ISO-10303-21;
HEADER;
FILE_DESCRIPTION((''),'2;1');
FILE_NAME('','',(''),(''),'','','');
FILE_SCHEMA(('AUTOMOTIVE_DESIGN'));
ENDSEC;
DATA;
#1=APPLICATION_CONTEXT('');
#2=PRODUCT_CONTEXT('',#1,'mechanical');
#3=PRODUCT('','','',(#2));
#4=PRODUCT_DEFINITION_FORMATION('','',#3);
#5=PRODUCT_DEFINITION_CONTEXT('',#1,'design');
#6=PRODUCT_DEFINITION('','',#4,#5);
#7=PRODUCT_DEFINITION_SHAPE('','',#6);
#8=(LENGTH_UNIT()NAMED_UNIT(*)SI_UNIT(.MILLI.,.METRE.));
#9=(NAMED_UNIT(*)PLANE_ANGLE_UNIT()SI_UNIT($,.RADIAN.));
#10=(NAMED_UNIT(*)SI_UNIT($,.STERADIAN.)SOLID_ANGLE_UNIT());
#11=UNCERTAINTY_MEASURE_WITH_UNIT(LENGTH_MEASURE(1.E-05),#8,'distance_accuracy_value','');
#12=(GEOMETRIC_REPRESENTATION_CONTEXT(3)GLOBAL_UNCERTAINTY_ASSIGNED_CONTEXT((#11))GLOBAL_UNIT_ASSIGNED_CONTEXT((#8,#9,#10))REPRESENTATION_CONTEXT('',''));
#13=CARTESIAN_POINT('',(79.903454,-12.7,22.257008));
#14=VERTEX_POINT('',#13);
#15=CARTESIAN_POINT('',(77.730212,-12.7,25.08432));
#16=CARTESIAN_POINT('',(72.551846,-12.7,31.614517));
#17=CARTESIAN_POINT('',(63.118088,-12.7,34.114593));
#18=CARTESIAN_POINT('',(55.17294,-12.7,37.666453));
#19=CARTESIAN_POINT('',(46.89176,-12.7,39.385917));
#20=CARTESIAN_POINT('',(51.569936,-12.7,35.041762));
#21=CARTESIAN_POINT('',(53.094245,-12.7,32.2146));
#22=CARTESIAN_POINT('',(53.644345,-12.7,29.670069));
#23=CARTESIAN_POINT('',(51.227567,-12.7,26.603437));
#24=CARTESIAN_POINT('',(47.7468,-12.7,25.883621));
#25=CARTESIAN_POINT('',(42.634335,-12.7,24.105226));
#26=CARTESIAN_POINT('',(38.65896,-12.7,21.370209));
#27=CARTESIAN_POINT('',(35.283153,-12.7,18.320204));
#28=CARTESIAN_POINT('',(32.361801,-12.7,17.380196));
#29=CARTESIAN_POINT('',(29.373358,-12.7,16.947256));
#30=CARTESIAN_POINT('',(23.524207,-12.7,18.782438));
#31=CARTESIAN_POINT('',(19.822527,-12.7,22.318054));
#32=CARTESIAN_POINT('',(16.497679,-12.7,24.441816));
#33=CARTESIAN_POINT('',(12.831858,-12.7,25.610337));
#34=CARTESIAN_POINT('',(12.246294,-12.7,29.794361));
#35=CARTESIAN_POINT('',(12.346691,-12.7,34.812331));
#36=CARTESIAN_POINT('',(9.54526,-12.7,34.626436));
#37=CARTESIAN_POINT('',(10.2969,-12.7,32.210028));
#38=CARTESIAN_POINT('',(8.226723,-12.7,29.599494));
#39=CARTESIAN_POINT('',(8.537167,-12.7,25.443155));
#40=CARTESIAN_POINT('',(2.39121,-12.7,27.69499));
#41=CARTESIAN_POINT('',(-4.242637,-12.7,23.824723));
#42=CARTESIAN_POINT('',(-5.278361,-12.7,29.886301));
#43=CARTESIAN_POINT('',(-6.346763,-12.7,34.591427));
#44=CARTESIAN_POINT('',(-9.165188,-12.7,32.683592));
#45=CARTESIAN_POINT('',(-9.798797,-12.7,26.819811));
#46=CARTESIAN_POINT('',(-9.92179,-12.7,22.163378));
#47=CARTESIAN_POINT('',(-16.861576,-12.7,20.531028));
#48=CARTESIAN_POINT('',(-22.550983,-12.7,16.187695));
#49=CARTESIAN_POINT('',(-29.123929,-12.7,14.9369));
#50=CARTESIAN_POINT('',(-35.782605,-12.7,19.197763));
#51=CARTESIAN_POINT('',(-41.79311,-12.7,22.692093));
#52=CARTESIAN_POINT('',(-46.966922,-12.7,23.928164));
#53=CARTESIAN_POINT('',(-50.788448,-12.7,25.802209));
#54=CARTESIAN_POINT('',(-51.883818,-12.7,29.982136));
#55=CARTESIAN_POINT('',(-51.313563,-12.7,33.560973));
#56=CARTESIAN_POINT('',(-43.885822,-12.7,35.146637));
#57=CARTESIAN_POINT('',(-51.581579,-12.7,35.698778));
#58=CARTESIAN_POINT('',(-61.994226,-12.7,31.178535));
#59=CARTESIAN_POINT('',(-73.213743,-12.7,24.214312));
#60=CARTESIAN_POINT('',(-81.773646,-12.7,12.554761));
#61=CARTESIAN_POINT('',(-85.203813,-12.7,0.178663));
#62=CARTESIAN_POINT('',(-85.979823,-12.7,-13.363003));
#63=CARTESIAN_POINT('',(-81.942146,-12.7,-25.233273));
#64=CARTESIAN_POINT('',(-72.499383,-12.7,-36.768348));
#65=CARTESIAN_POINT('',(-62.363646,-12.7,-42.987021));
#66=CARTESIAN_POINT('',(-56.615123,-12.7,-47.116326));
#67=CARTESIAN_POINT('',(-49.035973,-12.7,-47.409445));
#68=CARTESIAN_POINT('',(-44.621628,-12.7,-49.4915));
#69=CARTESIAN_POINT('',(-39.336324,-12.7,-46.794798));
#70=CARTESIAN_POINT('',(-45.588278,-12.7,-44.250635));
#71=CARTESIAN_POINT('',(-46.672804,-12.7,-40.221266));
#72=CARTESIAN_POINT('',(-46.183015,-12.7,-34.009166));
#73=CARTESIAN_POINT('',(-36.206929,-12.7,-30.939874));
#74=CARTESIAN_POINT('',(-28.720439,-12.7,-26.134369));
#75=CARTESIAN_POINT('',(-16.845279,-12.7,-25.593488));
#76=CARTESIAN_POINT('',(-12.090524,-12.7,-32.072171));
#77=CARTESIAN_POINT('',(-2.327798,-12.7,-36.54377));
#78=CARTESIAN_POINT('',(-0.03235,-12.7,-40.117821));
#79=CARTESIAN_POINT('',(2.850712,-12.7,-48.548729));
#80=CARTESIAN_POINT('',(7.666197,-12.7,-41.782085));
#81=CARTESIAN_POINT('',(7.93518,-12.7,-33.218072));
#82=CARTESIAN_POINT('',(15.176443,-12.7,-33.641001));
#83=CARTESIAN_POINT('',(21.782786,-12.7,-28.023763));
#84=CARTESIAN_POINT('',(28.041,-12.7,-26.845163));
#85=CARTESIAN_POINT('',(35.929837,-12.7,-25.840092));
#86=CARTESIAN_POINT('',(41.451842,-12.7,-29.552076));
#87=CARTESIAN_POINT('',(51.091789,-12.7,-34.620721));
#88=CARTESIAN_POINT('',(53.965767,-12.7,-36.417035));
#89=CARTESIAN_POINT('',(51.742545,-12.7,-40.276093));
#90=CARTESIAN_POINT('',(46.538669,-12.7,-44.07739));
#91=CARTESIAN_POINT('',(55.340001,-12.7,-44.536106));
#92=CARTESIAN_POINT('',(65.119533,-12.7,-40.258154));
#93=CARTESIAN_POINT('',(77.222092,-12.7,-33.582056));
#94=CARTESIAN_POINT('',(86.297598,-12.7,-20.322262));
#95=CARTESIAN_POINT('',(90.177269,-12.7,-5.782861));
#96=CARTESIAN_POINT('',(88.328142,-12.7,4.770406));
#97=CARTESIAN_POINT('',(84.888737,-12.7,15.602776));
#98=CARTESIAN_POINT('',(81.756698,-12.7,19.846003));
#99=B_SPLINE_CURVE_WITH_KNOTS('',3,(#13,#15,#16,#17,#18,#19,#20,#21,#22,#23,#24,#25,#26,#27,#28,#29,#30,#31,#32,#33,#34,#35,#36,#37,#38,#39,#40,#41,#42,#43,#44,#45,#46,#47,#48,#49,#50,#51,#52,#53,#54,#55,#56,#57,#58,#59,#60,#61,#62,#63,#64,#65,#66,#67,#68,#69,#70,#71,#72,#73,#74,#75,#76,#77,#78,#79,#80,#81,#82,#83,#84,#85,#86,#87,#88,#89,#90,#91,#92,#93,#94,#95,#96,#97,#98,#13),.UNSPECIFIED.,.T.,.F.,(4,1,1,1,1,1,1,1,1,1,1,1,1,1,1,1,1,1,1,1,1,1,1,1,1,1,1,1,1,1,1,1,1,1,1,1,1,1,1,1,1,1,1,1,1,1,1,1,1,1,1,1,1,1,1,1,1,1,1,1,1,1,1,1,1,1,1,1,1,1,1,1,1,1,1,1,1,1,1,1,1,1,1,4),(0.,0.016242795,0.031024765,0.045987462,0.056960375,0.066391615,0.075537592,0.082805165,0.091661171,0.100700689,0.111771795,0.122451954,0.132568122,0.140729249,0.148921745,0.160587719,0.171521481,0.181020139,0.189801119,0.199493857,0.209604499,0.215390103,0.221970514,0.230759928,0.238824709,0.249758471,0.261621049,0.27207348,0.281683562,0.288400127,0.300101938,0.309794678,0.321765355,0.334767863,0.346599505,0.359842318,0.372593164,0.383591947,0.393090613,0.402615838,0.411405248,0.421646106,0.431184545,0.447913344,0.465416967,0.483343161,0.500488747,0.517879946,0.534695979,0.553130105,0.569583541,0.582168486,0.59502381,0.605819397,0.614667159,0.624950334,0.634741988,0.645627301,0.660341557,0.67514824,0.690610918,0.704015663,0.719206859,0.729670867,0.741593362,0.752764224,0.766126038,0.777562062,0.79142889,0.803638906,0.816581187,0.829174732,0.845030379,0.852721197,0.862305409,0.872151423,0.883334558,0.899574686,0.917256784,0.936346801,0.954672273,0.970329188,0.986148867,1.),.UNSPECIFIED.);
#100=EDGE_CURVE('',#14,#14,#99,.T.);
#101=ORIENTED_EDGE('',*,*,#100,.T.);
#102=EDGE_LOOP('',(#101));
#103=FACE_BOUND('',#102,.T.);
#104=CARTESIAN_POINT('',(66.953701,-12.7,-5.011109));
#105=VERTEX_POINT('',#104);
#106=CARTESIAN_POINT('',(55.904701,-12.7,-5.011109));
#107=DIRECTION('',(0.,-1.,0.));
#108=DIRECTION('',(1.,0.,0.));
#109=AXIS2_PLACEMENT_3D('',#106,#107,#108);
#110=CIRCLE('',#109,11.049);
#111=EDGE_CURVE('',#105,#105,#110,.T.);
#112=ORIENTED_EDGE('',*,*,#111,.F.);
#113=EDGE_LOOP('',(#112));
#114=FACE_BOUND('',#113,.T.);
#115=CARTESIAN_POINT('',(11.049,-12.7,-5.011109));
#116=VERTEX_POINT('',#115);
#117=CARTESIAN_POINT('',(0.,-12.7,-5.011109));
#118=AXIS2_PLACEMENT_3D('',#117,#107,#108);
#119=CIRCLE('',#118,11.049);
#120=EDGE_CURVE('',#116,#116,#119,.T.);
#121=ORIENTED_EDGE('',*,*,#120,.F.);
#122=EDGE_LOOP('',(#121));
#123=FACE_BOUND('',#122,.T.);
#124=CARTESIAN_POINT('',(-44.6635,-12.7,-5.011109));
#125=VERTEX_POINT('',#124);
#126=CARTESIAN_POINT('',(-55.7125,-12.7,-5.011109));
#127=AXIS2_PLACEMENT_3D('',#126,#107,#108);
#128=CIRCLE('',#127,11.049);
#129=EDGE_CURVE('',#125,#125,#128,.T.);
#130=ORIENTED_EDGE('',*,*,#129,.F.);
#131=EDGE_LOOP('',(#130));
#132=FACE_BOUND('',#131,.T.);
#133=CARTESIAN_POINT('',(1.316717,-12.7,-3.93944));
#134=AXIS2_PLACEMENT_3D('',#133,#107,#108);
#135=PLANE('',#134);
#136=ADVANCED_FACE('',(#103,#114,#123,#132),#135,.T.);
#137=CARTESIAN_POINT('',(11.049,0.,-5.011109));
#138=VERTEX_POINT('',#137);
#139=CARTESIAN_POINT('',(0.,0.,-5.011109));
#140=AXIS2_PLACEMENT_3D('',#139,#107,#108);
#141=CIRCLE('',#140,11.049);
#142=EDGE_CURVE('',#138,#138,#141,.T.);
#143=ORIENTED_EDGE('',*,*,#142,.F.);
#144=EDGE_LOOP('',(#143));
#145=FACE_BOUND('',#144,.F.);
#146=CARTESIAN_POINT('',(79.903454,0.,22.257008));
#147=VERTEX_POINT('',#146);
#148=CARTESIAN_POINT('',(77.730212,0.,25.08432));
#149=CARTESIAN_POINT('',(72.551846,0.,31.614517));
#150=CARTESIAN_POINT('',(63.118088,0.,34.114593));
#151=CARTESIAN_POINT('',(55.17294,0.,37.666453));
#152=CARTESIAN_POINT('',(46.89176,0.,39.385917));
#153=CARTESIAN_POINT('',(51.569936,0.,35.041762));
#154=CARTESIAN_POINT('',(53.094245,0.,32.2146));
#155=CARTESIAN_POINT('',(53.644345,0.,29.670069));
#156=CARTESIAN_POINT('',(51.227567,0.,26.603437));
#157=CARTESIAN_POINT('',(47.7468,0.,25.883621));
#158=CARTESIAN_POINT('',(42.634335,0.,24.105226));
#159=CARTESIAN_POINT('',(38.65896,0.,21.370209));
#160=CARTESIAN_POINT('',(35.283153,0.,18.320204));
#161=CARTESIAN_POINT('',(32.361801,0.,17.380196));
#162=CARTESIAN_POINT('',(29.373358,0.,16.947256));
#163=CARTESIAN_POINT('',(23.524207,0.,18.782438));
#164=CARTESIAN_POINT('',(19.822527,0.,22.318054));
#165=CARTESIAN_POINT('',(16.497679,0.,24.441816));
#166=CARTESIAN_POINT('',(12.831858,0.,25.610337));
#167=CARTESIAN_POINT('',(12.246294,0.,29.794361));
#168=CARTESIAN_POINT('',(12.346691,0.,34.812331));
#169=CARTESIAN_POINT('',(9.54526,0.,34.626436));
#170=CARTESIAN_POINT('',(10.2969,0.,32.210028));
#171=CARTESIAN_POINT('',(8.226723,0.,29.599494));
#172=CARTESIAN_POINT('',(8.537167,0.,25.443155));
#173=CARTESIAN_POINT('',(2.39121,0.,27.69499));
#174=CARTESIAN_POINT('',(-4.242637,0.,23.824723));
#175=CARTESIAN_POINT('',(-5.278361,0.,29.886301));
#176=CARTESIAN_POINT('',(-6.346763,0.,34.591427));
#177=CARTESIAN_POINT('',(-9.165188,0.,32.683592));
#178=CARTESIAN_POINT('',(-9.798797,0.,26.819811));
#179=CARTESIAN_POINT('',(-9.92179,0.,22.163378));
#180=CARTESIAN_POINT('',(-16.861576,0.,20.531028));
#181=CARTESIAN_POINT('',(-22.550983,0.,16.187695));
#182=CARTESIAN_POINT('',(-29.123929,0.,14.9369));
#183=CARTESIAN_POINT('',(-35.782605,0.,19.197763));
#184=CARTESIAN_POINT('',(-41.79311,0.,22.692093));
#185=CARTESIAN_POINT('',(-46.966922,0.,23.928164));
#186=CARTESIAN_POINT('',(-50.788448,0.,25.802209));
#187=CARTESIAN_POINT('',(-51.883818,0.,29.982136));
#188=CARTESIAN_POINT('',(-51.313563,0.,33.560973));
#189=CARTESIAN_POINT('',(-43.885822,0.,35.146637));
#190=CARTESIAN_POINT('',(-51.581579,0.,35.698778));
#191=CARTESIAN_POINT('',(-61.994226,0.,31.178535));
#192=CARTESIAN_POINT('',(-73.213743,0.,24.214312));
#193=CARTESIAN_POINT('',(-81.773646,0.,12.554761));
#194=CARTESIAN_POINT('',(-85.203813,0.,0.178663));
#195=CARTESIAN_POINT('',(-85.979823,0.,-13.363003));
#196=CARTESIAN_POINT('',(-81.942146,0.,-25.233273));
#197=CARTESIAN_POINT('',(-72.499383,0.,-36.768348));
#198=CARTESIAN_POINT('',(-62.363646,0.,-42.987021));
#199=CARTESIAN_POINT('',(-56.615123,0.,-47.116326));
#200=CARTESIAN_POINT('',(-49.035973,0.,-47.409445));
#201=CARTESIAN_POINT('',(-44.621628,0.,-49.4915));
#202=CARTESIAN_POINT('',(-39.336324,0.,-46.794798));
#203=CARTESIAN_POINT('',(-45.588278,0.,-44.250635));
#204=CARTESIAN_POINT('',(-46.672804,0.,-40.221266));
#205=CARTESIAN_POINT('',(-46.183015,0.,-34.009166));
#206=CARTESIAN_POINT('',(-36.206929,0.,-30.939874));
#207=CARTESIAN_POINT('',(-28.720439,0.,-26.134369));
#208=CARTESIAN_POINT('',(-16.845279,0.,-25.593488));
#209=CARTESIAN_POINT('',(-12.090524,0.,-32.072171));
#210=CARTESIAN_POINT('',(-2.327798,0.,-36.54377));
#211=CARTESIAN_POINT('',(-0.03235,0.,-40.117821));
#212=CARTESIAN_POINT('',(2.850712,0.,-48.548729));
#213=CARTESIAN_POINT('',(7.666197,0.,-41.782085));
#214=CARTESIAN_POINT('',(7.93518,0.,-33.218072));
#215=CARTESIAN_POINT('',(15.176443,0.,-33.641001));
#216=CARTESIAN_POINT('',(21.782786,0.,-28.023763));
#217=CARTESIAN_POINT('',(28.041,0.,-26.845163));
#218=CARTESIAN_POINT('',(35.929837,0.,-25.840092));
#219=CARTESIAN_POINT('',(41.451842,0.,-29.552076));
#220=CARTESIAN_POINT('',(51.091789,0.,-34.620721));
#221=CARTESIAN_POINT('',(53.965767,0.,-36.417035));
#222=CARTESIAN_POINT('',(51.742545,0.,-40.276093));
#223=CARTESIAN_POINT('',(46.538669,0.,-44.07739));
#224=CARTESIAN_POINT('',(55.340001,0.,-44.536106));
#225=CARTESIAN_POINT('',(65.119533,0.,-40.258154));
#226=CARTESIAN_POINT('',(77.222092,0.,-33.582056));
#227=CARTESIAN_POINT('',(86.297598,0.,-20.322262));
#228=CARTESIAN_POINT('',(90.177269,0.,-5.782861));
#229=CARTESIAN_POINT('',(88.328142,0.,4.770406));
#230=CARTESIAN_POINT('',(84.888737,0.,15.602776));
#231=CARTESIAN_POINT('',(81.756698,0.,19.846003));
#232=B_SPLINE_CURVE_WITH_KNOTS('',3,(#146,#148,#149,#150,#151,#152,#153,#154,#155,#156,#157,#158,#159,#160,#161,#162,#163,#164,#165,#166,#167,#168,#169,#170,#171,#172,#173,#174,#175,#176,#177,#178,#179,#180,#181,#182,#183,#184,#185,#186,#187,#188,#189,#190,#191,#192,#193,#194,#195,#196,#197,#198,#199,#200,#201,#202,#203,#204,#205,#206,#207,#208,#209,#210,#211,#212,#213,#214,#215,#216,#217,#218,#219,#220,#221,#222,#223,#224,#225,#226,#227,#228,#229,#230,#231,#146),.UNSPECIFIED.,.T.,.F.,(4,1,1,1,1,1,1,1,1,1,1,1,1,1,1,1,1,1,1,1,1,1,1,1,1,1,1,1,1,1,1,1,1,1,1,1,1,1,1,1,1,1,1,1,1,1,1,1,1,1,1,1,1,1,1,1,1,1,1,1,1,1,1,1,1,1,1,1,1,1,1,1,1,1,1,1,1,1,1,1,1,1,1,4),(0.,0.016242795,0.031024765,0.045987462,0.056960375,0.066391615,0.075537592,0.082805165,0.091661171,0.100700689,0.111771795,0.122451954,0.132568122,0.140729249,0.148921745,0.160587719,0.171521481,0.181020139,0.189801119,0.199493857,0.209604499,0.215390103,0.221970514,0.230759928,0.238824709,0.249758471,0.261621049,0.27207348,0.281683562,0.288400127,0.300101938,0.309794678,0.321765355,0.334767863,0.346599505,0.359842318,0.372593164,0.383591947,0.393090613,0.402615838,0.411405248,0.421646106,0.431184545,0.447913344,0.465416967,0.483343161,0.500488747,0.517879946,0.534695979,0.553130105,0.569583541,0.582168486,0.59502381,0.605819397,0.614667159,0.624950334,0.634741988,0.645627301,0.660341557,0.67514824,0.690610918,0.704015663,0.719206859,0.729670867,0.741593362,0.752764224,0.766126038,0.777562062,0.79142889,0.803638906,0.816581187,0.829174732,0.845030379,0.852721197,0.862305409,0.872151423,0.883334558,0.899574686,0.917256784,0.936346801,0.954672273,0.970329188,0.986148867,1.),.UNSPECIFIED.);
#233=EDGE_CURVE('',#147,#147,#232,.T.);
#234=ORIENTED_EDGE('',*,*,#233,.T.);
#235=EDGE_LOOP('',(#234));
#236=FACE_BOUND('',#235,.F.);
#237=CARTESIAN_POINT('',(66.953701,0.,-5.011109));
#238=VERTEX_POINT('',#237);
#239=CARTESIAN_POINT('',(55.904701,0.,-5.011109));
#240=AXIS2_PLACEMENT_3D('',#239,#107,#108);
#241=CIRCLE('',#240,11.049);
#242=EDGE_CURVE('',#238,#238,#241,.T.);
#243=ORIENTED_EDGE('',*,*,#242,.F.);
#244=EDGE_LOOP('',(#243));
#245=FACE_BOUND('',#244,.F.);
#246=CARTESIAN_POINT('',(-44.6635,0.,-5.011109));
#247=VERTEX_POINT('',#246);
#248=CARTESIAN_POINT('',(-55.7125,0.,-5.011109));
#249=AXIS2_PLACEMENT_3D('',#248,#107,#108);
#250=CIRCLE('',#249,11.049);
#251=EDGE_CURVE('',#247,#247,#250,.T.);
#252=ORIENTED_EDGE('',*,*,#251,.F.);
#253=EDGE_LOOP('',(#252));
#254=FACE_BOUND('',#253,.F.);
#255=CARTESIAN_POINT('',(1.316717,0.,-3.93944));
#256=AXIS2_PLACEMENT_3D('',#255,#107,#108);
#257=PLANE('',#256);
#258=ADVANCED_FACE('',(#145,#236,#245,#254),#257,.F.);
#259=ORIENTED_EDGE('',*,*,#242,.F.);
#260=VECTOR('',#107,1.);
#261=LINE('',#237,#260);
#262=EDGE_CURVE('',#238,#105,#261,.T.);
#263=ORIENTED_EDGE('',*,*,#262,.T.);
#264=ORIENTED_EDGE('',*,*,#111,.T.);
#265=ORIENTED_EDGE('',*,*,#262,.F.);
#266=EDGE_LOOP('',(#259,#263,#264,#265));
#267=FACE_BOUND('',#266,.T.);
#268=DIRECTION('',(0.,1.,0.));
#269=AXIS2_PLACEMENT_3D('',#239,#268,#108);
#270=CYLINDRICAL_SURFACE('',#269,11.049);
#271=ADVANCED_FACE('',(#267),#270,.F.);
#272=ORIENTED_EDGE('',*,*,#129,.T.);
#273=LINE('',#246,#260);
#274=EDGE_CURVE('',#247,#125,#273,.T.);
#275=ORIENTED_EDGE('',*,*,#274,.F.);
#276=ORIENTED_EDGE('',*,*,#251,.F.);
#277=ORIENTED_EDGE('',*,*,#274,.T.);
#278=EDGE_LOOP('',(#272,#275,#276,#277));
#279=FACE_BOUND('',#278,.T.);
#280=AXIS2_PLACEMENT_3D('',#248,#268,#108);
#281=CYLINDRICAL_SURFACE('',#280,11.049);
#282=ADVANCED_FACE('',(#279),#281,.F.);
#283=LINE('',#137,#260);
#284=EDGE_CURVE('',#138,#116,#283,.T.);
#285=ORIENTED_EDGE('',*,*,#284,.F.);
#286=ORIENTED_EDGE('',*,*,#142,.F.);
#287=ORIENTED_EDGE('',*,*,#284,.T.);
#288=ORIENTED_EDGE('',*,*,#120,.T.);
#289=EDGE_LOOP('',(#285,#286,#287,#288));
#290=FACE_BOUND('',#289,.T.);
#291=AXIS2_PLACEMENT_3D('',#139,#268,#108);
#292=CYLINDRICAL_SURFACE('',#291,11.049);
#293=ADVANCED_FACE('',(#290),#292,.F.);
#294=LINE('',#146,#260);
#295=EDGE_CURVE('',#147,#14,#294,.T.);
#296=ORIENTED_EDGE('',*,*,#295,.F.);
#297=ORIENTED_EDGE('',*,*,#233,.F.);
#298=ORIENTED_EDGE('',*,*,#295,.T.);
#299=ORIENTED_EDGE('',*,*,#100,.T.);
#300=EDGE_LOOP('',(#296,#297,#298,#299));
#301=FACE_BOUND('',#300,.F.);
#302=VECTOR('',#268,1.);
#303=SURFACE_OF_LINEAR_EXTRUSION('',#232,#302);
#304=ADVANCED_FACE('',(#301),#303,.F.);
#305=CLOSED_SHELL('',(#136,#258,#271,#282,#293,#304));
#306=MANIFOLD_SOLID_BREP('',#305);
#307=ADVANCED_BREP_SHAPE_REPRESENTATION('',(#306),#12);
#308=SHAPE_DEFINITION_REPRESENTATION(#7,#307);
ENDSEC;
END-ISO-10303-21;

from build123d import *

# Parameters (mm, degrees)
F0_R     = 11.049
F1_DEPTH = 12.7


with BuildPart() as f1:
    # F0 (on Front) → F1 (new body)
    with BuildSketch(Plane.XZ):
        with BuildLine():
            add(Edge.make_bspline(
                [(79.9034538631, 22.2570084794), (77.7302121208, 25.0843202929), (72.551845996, 31.6145172398), (63.1180884636, 34.1145927598), (55.1729400057, 37.6664529501), (46.8917599113, 39.3859165289), (51.5699357356, 35.0417623133), (53.0942452108, 32.214599833), (53.6443446912, 29.6700694535), (51.2275665944, 26.6034370661), (47.7468002274, 25.8836212249), (42.6343345712, 24.1052259954), (38.6589596172, 21.3702089215), (35.2831532012, 18.3202040925), (32.3618011809, 17.3801962765), (29.3733581257, 16.9472559932), (23.5242073777, 18.7824380276), (19.8225269976, 22.3180536343), (16.4976787015, 24.4418156718), (12.8318580442, 25.6103372447), (12.246294285, 29.7943610358), (12.3466913011, 34.8123312709), (9.5452595889, 34.6264359467), (10.2969001279, 32.2100282622), (8.2267231021, 29.5994943666), (8.5371670092, 25.4431550221), (2.391209973, 27.6949901854), (-4.2426374121, 23.8247231313), (-5.278361062, 29.8863006892), (-6.3467625647, 34.5914273485), (-9.1651881211, 32.6835919154), (-9.7987968989, 26.8198112231), (-9.9217897156, 22.1633776512), (-16.8615761187, 20.5310277548), (-22.5509831613, 16.1876948015), (-29.1239288707, 14.9368997095), (-35.7826049218, 19.1977626486), (-41.7931096832, 22.6920933609), (-46.9669216479, 23.9281639395), (-50.7884483049, 25.802208969), (-51.8838179715, 29.9821359328), (-51.3135630651, 33.5609730483), (-43.8858217155, 35.146637086), (-51.5815789824, 35.6987778697), (-61.9942262932, 31.17853474), (-73.2137431879, 24.2143120127), (-81.7736461859, 12.5547608665), (-85.2038129892, 0.1786633271), (-85.9798228443, -13.3630031664), (-81.9421461413, -25.2332728578), (-72.4993831967, -36.7683480239), (-62.3636458589, -42.9870208977), (-56.6151232295, -47.1163256071), (-49.0359726905, -47.4094447623), (-44.6216280845, -49.4915002679), (-39.3363238845, -46.7947978825), (-45.5882777903, -44.2506350122), (-46.6728044091, -40.2212655365), (-46.1830148892, -34.009166166), (-36.2069285729, -30.9398737893), (-28.7204387693, -26.1343692834), (-16.8452794514, -25.5934877771), (-12.0905237344, -32.0721705679), (-2.327797805, -36.5437696141), (-0.0323502419, -40.1178212519), (2.8507118762, -48.5487294881), (7.6661969098, -41.7820845591), (7.9351804265, -33.2180717075), (15.1764430269, -33.641001063), (21.7827860148, -28.0237626662), (28.0410004689, -26.8451631366), (35.929837265, -25.84009233), (41.451842164, -29.5520757919), (51.0917887386, -34.6207207545), (53.9657670848, -36.4170354043), (51.7425445973, -40.2760925597), (46.5386694002, -44.0773895959), (55.3400007185, -44.5361064397), (65.1195332826, -40.2581540749), (77.2220916922, -33.5820555125), (86.2975978021, -20.3222616509), (90.1772689956, -5.7828614936), (88.3281420312, 4.7704061679), (84.8887366365, 15.6027757737), (81.7566977147, 19.8460027762), (79.9034538631, 22.2570084794)],
                knots=[0, 0, 0, 0, 0.0162427953, 0.0310247651, 0.045987462, 0.0569603747, 0.0663916146, 0.0755375916, 0.0828051652, 0.0916611706, 0.1007006894, 0.1117717947, 0.1224519544, 0.1325681219, 0.140729249, 0.1489217453, 0.1605877185, 0.171521481, 0.1810201387, 0.1898011191, 0.1994938569, 0.209604499, 0.2153901031, 0.2219705141, 0.230759928, 0.2388247086, 0.2497584708, 0.2616210494, 0.2720734803, 0.2816835615, 0.2884001269, 0.300101938, 0.309794678, 0.3217653549, 0.3347678629, 0.3465995047, 0.3598423175, 0.3725931643, 0.3835919468, 0.393090613, 0.4026158381, 0.4114052477, 0.4216461063, 0.4311845451, 0.4479133444, 0.4654169673, 0.4833431613, 0.5004887472, 0.5178799459, 0.5346959794, 0.5531301049, 0.5695835414, 0.5821684863, 0.5950238105, 0.6058193969, 0.6146671589, 0.6249503338, 0.6347419885, 0.6456273011, 0.6603415569, 0.6751482396, 0.6906109179, 0.7040156627, 0.7192068588, 0.7296708675, 0.7415933624, 0.7527642244, 0.7661260381, 0.7775620617, 0.7914288896, 0.8036389057, 0.8165811867, 0.8291747317, 0.8450303789, 0.8527211973, 0.8623054087, 0.872151423, 0.883334558, 0.8995746861, 0.9172567837, 0.9363468013, 0.9546722732, 0.9703291879, 0.986148867, 1, 1, 1, 1], degree=3))
        make_face()
        with Locations((-55.7124998691, -5.0111086691)):
            Circle(F0_R, mode=Mode.SUBTRACT)
        with Locations((0, -5.0111086691)):
            Circle(F0_R, mode=Mode.SUBTRACT)
        with Locations((55.9047013521, -5.0111086691)):
            Circle(F0_R, mode=Mode.SUBTRACT)
    extrude(amount=F1_DEPTH)


solid = f1.part
